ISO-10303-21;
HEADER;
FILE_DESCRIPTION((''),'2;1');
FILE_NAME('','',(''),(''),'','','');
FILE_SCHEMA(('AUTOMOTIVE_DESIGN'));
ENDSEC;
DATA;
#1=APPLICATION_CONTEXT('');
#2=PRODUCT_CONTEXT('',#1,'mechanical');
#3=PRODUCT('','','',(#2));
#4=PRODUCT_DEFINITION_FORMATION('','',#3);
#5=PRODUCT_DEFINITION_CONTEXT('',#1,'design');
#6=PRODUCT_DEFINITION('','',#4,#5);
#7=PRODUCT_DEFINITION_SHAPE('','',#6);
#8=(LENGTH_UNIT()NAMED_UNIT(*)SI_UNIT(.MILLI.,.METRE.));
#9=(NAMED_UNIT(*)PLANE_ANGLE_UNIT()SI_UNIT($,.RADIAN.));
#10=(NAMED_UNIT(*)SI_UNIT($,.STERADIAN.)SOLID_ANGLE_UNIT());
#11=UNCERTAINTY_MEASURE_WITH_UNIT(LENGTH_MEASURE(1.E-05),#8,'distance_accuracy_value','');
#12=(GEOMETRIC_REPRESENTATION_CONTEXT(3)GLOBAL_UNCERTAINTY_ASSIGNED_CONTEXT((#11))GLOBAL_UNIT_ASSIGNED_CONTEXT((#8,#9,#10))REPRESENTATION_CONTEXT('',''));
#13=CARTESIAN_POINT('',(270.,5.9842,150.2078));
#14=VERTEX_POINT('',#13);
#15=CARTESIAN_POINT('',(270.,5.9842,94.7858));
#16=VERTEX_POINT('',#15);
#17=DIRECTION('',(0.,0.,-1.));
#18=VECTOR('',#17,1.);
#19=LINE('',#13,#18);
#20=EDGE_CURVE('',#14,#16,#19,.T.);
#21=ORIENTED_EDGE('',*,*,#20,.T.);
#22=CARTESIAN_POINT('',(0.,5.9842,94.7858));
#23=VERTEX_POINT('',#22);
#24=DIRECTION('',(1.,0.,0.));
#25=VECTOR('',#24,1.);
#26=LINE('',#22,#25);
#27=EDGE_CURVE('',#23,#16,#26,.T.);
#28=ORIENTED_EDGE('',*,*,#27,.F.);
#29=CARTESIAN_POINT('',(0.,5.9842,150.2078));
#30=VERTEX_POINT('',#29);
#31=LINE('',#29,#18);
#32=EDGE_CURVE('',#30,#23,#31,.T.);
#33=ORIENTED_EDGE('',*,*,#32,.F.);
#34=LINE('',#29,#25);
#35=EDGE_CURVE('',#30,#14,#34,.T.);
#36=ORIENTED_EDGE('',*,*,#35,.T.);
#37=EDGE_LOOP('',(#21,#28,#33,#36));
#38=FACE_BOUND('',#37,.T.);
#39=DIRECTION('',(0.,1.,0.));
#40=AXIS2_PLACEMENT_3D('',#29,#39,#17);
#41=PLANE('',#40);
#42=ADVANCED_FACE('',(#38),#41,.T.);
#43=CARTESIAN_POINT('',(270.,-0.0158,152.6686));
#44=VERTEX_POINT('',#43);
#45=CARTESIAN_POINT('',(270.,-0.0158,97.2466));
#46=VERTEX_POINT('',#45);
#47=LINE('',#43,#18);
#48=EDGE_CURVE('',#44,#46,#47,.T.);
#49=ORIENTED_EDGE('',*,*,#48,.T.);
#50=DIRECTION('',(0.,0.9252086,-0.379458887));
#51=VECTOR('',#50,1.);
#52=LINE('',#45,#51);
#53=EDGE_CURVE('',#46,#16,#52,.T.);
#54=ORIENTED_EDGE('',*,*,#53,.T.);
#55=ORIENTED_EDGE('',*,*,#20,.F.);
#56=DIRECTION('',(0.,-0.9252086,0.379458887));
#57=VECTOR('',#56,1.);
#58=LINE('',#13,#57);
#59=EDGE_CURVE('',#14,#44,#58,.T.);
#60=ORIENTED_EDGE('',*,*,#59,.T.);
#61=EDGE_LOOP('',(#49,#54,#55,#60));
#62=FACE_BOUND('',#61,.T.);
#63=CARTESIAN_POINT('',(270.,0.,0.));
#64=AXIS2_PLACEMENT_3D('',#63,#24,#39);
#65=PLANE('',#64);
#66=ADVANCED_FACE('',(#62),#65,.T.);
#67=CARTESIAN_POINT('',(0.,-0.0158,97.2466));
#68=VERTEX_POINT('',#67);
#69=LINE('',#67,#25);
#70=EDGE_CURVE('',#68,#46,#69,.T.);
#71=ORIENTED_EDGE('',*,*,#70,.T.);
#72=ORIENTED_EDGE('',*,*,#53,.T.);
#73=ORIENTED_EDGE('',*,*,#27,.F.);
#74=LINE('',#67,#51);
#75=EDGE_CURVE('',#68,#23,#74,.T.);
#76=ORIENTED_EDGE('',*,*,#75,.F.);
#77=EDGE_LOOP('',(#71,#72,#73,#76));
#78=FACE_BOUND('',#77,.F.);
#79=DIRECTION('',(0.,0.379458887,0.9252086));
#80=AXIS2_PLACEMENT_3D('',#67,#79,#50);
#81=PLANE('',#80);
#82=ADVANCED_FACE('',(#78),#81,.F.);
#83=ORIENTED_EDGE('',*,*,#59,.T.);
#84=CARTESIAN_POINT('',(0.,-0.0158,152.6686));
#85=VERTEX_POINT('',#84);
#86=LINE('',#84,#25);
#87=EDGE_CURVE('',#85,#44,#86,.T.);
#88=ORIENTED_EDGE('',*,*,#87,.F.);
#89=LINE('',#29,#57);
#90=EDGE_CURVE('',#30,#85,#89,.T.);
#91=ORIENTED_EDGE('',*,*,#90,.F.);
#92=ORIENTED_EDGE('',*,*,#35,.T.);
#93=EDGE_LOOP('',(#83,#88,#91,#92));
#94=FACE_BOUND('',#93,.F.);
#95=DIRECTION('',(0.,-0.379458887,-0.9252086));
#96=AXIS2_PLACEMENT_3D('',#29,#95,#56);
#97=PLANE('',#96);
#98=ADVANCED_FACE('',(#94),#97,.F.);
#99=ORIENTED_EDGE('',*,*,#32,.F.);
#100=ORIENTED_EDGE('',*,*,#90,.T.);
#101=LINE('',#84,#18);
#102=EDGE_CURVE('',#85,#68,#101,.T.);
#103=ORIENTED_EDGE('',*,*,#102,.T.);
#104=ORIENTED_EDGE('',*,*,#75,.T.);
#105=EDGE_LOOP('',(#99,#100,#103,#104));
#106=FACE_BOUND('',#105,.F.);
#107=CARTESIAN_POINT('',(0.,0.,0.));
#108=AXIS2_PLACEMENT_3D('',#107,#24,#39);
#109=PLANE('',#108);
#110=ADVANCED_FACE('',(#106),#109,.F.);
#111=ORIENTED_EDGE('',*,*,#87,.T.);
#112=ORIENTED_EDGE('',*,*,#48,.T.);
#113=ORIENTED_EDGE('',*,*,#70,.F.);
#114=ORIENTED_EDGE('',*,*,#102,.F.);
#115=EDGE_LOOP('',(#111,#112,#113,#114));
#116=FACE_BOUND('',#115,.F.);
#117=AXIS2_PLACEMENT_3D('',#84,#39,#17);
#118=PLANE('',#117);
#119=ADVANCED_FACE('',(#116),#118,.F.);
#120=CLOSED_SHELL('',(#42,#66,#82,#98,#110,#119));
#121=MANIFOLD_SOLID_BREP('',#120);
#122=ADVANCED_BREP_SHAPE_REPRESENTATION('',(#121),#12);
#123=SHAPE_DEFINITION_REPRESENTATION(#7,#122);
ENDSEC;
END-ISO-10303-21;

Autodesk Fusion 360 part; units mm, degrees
sketch "Name Sign" plane through (0, 0, 0) normal (1, 0, 0) x (0, 1, 0) in component "Name Sign"
  line L0 (-0.0158, 97.2466) -> (5.9842, 94.7858)
  line L1 (5.9842, 150.2078) -> (-0.0158, 152.6686)
  line L2 (-0.0158, 152.6686) -> (-0.0158, 97.2466)
  line L3 (5.9842, 150.2078) -> (5.9842, 94.7858)
  dimension "d18" = 67.7
  dimension "d8" = 6
  dimension "d9" = 55.422
extrude "Extrude2" add sketch "Name Sign" along normal blind 270 in component "Name Sign"
component "Name Sign" placed x (1, 0, 0) y (0, 1, 0) z (0, 0, 1) at (0, 0, 0)
equation "polycarbonateThickness = 6 mm" comment "Thickness of the polycarbonate panels"
